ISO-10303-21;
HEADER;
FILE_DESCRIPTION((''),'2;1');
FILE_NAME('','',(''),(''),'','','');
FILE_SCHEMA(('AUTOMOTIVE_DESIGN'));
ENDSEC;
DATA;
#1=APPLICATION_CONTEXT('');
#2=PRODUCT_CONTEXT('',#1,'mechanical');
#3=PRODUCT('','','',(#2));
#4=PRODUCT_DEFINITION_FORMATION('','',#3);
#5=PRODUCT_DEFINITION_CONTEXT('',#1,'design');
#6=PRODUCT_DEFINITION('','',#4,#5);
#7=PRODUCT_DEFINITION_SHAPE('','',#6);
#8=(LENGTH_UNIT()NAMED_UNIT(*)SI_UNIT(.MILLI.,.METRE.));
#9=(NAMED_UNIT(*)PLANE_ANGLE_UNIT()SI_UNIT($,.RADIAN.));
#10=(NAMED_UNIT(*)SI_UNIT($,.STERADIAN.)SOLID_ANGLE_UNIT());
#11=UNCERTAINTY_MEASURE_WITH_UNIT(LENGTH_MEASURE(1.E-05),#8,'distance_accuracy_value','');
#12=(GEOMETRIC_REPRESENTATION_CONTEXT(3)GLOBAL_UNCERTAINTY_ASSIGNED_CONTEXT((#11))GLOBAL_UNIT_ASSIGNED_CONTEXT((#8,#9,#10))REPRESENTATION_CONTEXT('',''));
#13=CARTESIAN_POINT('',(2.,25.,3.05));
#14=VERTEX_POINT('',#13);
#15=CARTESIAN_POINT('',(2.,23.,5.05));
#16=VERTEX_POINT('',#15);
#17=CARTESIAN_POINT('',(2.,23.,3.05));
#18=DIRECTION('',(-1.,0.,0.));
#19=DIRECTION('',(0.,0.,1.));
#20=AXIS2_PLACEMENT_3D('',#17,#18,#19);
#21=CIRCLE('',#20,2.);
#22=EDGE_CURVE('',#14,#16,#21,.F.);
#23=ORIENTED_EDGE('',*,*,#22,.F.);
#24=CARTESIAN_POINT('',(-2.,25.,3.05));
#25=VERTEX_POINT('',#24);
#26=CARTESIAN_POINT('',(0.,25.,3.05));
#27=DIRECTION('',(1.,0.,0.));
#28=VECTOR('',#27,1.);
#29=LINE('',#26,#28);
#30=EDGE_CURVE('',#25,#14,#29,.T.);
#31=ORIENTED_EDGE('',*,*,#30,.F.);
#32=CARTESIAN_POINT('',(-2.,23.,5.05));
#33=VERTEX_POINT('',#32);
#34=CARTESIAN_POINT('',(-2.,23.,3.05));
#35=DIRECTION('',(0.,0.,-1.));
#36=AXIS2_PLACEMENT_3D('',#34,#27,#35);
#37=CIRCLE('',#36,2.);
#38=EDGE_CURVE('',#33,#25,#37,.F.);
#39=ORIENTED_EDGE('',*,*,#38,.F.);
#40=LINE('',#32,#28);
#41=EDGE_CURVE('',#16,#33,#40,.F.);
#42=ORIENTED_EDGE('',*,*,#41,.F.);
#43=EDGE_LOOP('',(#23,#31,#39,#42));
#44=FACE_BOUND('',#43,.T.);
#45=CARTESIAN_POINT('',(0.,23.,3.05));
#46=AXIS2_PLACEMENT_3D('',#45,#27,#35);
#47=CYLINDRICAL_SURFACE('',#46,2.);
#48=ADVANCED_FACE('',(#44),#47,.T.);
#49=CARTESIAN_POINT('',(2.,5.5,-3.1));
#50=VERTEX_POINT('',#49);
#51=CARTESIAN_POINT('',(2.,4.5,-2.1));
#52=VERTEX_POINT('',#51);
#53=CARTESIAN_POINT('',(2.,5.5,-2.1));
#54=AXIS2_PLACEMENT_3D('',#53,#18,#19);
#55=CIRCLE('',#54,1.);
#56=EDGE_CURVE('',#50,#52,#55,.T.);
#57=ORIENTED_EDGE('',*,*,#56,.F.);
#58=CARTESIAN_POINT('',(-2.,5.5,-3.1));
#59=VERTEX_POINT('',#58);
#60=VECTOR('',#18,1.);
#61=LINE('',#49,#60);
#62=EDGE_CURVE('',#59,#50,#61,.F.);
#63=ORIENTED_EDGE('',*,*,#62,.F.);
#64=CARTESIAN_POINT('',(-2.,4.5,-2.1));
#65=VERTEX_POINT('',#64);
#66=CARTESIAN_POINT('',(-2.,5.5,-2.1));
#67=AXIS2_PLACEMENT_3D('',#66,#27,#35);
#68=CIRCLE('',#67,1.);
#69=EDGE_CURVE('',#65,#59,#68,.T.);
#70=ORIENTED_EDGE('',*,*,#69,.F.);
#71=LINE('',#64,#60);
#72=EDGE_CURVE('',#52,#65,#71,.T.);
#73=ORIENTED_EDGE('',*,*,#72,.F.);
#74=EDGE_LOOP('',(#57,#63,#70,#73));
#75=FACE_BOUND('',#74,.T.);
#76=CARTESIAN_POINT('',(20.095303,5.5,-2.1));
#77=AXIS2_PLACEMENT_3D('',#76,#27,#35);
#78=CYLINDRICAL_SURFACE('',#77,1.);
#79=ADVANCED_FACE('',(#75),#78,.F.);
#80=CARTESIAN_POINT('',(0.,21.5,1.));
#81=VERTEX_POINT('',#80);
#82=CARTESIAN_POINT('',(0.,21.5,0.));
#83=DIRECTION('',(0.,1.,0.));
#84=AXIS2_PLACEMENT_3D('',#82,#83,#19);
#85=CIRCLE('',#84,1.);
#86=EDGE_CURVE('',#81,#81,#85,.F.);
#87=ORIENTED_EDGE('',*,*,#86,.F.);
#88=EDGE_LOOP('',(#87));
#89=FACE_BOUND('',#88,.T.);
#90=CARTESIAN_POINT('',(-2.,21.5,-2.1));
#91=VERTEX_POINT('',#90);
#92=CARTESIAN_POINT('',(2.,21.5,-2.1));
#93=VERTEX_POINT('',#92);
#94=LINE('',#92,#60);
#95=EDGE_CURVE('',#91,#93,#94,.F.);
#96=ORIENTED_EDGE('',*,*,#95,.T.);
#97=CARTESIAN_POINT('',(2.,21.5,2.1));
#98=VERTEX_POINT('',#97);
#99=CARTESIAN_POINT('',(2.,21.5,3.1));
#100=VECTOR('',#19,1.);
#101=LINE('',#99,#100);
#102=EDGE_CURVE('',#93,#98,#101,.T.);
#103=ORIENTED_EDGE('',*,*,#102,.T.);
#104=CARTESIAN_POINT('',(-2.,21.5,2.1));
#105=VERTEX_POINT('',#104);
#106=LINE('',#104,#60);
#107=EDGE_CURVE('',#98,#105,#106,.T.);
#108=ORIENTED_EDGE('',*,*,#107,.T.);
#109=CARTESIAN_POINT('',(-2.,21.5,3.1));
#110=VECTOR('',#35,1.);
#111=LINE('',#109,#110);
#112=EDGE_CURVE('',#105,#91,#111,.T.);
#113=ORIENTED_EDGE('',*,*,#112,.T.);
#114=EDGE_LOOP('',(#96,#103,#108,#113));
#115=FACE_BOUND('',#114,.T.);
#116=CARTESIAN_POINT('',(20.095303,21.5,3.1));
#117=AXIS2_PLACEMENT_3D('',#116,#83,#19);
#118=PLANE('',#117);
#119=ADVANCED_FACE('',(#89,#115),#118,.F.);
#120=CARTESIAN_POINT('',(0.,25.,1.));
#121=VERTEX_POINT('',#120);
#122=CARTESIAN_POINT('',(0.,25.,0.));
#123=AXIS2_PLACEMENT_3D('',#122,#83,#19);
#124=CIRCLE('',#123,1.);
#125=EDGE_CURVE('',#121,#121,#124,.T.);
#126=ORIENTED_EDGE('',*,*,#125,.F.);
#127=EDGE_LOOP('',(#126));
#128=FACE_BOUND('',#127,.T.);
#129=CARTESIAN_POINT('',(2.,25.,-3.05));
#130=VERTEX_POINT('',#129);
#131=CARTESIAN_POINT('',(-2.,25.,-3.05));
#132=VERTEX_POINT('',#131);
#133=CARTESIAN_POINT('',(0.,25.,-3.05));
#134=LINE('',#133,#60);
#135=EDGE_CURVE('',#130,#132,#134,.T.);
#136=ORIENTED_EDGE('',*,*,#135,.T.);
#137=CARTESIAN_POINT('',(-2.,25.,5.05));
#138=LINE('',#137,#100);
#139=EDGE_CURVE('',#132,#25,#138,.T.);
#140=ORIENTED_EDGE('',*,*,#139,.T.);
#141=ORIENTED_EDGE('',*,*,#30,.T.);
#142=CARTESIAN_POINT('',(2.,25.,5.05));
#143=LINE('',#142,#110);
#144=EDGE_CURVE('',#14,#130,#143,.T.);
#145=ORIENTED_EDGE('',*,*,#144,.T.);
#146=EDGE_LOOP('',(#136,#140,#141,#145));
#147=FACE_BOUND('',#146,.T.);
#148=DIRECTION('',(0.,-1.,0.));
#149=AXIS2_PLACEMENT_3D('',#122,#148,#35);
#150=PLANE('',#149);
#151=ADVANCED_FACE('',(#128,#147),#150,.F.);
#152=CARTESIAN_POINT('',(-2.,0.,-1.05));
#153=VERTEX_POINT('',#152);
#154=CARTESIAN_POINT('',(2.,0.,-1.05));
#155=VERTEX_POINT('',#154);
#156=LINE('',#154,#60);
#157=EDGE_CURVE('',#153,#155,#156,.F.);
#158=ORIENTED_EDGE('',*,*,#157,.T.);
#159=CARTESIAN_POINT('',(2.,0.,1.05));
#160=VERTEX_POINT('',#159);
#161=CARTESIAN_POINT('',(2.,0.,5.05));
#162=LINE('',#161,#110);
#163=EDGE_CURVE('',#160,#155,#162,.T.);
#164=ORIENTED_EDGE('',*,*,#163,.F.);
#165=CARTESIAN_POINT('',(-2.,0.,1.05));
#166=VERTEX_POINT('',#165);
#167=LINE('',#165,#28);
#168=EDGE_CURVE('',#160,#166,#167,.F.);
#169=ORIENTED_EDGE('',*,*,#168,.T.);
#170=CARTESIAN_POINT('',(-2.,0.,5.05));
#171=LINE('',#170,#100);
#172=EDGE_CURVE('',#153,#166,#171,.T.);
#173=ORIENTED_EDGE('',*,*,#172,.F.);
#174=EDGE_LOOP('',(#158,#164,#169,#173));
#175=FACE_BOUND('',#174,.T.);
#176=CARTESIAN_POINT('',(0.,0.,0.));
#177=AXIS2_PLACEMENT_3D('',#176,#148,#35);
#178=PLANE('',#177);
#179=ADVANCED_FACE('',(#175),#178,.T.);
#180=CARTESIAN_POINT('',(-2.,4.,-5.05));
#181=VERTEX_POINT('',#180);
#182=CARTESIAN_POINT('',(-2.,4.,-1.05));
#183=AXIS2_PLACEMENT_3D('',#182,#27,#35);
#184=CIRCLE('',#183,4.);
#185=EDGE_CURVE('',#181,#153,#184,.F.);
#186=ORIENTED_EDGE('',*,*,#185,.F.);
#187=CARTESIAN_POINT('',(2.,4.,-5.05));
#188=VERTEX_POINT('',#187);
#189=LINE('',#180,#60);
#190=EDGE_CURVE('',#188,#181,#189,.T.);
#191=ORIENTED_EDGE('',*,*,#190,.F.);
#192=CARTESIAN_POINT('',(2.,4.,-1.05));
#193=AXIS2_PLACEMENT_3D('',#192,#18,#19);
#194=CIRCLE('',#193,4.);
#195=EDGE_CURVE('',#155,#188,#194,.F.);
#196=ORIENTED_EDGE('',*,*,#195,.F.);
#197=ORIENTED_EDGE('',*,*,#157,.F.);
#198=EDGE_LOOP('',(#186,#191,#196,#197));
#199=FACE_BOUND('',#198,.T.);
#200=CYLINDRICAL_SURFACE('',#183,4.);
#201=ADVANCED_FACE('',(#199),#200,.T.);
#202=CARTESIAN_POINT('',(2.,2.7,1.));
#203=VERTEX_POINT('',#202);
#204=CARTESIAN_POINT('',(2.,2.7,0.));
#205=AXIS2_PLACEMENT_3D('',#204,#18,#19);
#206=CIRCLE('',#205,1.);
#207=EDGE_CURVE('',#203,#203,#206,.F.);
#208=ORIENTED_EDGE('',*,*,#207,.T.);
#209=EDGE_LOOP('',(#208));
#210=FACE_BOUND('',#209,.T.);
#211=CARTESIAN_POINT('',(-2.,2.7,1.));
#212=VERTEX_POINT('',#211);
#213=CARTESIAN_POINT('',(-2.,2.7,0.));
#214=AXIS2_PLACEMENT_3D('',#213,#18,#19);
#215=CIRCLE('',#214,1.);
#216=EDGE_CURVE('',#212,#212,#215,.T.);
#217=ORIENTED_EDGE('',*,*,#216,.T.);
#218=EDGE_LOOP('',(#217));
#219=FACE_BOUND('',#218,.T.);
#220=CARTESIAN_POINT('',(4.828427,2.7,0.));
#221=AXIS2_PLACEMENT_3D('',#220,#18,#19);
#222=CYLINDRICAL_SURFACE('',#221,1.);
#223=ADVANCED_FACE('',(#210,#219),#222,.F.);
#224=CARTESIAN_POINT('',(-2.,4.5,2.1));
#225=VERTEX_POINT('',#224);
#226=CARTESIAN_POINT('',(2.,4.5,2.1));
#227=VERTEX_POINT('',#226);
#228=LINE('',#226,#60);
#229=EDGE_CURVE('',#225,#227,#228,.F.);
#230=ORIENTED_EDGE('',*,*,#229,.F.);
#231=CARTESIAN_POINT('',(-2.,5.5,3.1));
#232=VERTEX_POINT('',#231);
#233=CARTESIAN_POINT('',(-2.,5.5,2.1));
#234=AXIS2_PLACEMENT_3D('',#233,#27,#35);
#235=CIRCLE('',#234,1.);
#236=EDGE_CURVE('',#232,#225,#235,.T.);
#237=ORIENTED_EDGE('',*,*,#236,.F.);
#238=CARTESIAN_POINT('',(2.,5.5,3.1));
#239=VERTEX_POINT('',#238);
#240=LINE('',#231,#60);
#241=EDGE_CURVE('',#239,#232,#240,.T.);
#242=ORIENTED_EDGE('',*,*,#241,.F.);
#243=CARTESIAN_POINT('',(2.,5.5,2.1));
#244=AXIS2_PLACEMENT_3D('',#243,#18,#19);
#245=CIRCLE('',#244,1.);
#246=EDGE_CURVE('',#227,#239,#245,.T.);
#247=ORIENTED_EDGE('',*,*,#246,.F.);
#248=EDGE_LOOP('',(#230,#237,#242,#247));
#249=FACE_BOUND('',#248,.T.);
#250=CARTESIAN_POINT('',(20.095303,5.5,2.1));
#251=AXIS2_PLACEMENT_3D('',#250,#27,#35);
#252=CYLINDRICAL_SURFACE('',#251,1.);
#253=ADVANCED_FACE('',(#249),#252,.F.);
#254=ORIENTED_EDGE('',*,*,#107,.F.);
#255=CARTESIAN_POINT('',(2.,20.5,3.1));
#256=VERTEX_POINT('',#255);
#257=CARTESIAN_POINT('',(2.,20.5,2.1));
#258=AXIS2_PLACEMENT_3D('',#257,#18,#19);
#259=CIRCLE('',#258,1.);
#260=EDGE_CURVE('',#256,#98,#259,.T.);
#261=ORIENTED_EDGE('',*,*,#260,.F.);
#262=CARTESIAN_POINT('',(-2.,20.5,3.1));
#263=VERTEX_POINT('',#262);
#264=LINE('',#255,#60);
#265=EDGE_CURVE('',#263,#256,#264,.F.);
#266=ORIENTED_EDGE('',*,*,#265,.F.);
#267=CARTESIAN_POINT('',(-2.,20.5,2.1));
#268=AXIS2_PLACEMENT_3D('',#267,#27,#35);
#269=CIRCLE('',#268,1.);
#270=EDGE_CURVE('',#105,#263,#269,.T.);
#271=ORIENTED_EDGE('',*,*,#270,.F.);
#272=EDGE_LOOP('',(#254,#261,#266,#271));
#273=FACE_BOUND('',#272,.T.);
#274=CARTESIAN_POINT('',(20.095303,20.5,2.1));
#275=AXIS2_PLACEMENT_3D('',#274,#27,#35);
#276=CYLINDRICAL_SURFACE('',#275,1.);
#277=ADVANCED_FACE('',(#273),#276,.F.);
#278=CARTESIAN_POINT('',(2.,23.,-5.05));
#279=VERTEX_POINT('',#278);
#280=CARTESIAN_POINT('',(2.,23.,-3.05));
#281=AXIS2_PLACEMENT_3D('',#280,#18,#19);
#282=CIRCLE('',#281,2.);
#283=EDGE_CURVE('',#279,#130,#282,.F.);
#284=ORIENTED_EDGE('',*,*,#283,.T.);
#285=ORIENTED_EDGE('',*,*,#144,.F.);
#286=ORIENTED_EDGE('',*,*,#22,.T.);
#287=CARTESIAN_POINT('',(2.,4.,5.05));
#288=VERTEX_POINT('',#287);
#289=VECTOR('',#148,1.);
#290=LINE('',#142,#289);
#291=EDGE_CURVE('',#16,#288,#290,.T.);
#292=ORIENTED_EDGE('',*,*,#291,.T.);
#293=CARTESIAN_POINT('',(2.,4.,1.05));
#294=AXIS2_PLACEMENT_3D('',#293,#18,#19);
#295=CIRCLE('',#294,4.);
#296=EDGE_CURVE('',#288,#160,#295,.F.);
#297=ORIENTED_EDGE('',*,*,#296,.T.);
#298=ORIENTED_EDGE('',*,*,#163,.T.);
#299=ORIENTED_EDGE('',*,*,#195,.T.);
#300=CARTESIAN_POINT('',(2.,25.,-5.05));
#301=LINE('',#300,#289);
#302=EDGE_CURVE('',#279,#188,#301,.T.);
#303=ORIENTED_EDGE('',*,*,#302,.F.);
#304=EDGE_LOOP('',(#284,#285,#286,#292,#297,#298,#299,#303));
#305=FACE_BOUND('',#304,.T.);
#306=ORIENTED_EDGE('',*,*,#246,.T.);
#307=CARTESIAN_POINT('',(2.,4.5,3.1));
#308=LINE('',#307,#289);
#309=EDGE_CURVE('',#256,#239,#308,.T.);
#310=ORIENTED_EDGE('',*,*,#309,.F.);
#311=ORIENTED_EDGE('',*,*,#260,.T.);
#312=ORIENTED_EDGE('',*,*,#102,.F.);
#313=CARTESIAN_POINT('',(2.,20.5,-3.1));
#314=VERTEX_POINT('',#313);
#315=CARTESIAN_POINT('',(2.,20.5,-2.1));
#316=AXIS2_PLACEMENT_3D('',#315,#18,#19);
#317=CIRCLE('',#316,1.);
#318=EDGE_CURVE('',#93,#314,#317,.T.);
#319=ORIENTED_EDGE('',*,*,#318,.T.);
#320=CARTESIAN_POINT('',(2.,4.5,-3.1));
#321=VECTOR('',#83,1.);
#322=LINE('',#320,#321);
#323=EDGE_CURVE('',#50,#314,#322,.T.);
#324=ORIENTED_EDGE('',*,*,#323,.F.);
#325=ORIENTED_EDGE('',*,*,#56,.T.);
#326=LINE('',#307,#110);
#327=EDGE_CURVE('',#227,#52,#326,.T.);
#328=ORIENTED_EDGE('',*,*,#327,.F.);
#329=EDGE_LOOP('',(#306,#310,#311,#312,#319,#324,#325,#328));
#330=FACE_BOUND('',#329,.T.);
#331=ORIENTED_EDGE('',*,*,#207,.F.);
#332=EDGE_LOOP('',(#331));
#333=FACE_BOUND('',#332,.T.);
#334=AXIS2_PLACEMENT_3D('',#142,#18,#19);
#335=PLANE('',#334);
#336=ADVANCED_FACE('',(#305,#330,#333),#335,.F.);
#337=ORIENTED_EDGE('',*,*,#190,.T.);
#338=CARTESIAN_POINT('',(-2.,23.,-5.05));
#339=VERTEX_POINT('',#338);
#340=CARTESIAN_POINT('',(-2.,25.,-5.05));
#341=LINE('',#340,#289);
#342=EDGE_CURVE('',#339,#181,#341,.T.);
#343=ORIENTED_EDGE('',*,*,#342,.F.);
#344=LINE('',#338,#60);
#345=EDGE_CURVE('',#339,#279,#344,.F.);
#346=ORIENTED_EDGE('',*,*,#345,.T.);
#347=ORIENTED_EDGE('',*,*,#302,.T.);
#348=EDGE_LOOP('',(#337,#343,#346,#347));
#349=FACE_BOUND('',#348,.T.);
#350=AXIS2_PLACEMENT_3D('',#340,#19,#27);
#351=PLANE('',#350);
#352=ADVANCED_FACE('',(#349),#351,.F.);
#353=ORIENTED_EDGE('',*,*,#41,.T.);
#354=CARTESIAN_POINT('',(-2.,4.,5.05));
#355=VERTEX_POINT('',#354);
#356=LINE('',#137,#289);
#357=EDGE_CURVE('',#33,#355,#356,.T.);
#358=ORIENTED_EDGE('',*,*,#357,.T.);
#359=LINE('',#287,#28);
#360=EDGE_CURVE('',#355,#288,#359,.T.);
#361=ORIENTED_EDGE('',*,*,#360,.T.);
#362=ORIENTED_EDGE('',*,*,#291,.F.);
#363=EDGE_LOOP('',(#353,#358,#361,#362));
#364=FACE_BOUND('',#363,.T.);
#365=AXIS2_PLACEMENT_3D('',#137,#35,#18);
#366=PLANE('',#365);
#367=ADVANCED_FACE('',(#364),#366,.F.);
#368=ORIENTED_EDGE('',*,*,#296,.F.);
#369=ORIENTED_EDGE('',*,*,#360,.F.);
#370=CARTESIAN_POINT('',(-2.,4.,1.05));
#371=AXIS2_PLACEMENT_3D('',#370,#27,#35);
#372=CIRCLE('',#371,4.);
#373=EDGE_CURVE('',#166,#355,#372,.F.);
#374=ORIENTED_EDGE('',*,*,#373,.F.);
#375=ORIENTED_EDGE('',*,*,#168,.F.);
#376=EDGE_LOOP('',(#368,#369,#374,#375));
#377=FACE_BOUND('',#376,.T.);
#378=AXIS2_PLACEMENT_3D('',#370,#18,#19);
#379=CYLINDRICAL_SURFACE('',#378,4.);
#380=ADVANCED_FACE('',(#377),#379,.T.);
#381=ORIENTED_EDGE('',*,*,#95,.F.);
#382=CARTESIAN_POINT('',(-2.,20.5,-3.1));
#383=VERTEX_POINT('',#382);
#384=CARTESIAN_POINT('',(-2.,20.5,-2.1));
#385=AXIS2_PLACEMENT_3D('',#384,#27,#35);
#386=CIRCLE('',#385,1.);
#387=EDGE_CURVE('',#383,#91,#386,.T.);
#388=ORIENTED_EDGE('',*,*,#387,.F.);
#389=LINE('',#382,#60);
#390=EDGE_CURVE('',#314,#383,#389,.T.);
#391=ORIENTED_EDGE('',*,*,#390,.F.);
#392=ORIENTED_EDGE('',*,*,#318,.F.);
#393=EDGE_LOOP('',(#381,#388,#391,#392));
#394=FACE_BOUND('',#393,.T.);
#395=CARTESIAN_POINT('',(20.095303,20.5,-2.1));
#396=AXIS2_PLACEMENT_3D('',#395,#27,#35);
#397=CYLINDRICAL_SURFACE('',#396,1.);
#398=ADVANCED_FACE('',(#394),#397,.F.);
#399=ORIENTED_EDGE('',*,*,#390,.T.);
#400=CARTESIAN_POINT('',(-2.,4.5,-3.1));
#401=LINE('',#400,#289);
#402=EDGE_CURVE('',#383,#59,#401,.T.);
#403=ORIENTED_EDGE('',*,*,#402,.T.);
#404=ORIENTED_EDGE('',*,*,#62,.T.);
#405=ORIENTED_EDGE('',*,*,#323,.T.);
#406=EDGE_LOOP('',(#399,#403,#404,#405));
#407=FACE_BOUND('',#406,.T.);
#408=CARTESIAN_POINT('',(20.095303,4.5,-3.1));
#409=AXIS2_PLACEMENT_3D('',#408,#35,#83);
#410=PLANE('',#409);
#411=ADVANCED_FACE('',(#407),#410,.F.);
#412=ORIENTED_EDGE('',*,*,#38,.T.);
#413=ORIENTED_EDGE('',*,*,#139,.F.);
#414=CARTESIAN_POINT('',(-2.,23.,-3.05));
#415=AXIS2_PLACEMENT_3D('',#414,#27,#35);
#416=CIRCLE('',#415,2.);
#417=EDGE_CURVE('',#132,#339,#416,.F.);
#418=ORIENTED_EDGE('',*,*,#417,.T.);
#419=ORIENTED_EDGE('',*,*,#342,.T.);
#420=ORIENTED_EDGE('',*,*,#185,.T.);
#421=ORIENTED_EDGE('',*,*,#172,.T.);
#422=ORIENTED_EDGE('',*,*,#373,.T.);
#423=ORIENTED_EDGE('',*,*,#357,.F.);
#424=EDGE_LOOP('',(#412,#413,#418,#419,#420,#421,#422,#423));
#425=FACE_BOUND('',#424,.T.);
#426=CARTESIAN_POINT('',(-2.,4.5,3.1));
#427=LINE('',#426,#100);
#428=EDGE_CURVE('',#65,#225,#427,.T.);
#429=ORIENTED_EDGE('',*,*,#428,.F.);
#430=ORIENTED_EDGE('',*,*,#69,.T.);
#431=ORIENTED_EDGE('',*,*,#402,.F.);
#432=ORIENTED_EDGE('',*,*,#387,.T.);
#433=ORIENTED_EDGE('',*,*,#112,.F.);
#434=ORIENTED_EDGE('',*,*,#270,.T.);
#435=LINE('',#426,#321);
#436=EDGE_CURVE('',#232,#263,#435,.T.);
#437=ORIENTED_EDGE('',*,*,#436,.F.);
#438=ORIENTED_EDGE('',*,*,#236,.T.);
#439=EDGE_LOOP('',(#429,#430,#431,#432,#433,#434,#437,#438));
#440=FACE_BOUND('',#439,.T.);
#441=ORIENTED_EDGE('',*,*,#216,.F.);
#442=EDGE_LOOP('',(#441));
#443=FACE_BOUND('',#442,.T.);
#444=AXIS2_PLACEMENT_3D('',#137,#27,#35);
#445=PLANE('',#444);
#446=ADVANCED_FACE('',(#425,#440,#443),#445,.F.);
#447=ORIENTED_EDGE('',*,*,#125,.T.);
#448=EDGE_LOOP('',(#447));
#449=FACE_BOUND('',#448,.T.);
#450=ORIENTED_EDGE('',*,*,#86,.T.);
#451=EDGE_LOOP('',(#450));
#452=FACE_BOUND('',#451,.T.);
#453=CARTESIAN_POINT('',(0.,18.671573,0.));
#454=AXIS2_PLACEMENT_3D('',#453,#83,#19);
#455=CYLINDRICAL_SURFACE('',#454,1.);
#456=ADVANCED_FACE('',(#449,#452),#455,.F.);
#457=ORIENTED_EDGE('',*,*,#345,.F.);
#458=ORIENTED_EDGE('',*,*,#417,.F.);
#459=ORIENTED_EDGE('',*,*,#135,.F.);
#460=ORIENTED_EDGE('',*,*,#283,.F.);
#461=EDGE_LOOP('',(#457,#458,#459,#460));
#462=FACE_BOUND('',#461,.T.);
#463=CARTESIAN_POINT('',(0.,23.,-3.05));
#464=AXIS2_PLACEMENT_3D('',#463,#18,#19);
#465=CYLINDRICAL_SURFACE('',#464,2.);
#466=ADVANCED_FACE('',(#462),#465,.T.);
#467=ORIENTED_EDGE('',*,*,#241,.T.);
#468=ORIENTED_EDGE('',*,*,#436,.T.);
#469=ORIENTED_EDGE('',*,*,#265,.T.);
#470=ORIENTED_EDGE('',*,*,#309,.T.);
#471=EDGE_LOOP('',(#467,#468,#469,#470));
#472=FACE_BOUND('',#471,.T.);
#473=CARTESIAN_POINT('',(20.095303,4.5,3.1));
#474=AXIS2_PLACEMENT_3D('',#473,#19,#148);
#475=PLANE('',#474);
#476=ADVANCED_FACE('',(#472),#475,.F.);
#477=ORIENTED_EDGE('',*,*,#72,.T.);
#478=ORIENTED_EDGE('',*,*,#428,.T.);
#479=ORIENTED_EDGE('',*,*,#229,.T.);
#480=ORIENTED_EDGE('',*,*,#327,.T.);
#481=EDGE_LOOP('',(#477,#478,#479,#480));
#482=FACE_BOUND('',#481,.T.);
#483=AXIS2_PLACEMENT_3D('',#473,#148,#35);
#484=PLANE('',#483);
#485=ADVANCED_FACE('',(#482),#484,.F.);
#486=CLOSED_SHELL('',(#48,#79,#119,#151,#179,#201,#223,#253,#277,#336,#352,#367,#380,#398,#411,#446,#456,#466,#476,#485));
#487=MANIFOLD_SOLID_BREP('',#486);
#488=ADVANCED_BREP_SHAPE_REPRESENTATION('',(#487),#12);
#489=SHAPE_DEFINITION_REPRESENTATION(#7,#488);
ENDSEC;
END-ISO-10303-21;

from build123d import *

# Parameters (mm, degrees)
SKETCH21_W          = 4
SKETCH21_H          = 10.1
BOSS_EXTRUDE1_DEPTH = 25
SKETCH22_R          = 1
CUT_EXTRUDE4_DEPTH  = 4
SKETCH23_W          = 6.2
SKETCH23_H          = 17
CUT_EXTRUDE5_DEPTH  = 4
SKETCH24_R          = 1
CUT_EXTRUDE6_DEPTH  = 3.5
FILLET4_R           = 4
FILLET5_R           = 2
FILLET6_R           = 1


with BuildPart() as part:
    # Sketch21 → Boss-Extrude1 (new body)
    with BuildSketch(Plane(origin=(0, 0, 0), x_dir=(1, 0, 0), z_dir=(0, 1, 0))):
        Rectangle(SKETCH21_W, SKETCH21_H)
    extrude(amount=BOSS_EXTRUDE1_DEPTH)

    # Sketch22 → Cut-Extrude4 (cut)
    with BuildSketch(Plane.ZY.offset(2)):
        with Locations((0, 2.7)):
            Circle(SKETCH22_R)
    extrude(amount=-CUT_EXTRUDE4_DEPTH, mode=Mode.SUBTRACT)

    # Sketch23 → Cut-Extrude5 (cut)
    with BuildSketch(Plane.ZY.offset(2)):
        with Locations((0, 13)):
            Rectangle(SKETCH23_W, SKETCH23_H)
    extrude(amount=-CUT_EXTRUDE5_DEPTH, mode=Mode.SUBTRACT)

    # Sketch24 → Cut-Extrude6 (cut)
    with BuildSketch(Plane(origin=(0, 25, 0), x_dir=(1, 0, 0), z_dir=(0, 1, 0))):
        with Locations(Location((0, 0, 0), (0, 0, 270))):
            Circle(SKETCH24_R)
    extrude(amount=-CUT_EXTRUDE6_DEPTH, mode=Mode.SUBTRACT)

    # Fillet4
    fillet4_edges = [part.edges().sort_by_distance(p)[0] for p in [
        (0, 0, 5.05),
        (0, 0, -5.05),
    ]]
    fillet(fillet4_edges, radius=FILLET4_R)

    # Fillet5
    fillet5_edges = [part.edges().sort_by_distance(p)[0] for p in [
        (0, 25, 5.05),
        (0, 25, -5.05),
    ]]
    fillet(fillet5_edges, radius=FILLET5_R)

    # Fillet6
    fillet6_edges = [part.edges().sort_by_distance(p)[0] for p in [
        (0, 21.5, 3.1),
        (0, 4.5, 3.1),
        (0, 4.5, -3.1),
        (0, 21.5, -3.1),
    ]]
    fillet(fillet6_edges, radius=FILLET6_R)


solid = part.part
